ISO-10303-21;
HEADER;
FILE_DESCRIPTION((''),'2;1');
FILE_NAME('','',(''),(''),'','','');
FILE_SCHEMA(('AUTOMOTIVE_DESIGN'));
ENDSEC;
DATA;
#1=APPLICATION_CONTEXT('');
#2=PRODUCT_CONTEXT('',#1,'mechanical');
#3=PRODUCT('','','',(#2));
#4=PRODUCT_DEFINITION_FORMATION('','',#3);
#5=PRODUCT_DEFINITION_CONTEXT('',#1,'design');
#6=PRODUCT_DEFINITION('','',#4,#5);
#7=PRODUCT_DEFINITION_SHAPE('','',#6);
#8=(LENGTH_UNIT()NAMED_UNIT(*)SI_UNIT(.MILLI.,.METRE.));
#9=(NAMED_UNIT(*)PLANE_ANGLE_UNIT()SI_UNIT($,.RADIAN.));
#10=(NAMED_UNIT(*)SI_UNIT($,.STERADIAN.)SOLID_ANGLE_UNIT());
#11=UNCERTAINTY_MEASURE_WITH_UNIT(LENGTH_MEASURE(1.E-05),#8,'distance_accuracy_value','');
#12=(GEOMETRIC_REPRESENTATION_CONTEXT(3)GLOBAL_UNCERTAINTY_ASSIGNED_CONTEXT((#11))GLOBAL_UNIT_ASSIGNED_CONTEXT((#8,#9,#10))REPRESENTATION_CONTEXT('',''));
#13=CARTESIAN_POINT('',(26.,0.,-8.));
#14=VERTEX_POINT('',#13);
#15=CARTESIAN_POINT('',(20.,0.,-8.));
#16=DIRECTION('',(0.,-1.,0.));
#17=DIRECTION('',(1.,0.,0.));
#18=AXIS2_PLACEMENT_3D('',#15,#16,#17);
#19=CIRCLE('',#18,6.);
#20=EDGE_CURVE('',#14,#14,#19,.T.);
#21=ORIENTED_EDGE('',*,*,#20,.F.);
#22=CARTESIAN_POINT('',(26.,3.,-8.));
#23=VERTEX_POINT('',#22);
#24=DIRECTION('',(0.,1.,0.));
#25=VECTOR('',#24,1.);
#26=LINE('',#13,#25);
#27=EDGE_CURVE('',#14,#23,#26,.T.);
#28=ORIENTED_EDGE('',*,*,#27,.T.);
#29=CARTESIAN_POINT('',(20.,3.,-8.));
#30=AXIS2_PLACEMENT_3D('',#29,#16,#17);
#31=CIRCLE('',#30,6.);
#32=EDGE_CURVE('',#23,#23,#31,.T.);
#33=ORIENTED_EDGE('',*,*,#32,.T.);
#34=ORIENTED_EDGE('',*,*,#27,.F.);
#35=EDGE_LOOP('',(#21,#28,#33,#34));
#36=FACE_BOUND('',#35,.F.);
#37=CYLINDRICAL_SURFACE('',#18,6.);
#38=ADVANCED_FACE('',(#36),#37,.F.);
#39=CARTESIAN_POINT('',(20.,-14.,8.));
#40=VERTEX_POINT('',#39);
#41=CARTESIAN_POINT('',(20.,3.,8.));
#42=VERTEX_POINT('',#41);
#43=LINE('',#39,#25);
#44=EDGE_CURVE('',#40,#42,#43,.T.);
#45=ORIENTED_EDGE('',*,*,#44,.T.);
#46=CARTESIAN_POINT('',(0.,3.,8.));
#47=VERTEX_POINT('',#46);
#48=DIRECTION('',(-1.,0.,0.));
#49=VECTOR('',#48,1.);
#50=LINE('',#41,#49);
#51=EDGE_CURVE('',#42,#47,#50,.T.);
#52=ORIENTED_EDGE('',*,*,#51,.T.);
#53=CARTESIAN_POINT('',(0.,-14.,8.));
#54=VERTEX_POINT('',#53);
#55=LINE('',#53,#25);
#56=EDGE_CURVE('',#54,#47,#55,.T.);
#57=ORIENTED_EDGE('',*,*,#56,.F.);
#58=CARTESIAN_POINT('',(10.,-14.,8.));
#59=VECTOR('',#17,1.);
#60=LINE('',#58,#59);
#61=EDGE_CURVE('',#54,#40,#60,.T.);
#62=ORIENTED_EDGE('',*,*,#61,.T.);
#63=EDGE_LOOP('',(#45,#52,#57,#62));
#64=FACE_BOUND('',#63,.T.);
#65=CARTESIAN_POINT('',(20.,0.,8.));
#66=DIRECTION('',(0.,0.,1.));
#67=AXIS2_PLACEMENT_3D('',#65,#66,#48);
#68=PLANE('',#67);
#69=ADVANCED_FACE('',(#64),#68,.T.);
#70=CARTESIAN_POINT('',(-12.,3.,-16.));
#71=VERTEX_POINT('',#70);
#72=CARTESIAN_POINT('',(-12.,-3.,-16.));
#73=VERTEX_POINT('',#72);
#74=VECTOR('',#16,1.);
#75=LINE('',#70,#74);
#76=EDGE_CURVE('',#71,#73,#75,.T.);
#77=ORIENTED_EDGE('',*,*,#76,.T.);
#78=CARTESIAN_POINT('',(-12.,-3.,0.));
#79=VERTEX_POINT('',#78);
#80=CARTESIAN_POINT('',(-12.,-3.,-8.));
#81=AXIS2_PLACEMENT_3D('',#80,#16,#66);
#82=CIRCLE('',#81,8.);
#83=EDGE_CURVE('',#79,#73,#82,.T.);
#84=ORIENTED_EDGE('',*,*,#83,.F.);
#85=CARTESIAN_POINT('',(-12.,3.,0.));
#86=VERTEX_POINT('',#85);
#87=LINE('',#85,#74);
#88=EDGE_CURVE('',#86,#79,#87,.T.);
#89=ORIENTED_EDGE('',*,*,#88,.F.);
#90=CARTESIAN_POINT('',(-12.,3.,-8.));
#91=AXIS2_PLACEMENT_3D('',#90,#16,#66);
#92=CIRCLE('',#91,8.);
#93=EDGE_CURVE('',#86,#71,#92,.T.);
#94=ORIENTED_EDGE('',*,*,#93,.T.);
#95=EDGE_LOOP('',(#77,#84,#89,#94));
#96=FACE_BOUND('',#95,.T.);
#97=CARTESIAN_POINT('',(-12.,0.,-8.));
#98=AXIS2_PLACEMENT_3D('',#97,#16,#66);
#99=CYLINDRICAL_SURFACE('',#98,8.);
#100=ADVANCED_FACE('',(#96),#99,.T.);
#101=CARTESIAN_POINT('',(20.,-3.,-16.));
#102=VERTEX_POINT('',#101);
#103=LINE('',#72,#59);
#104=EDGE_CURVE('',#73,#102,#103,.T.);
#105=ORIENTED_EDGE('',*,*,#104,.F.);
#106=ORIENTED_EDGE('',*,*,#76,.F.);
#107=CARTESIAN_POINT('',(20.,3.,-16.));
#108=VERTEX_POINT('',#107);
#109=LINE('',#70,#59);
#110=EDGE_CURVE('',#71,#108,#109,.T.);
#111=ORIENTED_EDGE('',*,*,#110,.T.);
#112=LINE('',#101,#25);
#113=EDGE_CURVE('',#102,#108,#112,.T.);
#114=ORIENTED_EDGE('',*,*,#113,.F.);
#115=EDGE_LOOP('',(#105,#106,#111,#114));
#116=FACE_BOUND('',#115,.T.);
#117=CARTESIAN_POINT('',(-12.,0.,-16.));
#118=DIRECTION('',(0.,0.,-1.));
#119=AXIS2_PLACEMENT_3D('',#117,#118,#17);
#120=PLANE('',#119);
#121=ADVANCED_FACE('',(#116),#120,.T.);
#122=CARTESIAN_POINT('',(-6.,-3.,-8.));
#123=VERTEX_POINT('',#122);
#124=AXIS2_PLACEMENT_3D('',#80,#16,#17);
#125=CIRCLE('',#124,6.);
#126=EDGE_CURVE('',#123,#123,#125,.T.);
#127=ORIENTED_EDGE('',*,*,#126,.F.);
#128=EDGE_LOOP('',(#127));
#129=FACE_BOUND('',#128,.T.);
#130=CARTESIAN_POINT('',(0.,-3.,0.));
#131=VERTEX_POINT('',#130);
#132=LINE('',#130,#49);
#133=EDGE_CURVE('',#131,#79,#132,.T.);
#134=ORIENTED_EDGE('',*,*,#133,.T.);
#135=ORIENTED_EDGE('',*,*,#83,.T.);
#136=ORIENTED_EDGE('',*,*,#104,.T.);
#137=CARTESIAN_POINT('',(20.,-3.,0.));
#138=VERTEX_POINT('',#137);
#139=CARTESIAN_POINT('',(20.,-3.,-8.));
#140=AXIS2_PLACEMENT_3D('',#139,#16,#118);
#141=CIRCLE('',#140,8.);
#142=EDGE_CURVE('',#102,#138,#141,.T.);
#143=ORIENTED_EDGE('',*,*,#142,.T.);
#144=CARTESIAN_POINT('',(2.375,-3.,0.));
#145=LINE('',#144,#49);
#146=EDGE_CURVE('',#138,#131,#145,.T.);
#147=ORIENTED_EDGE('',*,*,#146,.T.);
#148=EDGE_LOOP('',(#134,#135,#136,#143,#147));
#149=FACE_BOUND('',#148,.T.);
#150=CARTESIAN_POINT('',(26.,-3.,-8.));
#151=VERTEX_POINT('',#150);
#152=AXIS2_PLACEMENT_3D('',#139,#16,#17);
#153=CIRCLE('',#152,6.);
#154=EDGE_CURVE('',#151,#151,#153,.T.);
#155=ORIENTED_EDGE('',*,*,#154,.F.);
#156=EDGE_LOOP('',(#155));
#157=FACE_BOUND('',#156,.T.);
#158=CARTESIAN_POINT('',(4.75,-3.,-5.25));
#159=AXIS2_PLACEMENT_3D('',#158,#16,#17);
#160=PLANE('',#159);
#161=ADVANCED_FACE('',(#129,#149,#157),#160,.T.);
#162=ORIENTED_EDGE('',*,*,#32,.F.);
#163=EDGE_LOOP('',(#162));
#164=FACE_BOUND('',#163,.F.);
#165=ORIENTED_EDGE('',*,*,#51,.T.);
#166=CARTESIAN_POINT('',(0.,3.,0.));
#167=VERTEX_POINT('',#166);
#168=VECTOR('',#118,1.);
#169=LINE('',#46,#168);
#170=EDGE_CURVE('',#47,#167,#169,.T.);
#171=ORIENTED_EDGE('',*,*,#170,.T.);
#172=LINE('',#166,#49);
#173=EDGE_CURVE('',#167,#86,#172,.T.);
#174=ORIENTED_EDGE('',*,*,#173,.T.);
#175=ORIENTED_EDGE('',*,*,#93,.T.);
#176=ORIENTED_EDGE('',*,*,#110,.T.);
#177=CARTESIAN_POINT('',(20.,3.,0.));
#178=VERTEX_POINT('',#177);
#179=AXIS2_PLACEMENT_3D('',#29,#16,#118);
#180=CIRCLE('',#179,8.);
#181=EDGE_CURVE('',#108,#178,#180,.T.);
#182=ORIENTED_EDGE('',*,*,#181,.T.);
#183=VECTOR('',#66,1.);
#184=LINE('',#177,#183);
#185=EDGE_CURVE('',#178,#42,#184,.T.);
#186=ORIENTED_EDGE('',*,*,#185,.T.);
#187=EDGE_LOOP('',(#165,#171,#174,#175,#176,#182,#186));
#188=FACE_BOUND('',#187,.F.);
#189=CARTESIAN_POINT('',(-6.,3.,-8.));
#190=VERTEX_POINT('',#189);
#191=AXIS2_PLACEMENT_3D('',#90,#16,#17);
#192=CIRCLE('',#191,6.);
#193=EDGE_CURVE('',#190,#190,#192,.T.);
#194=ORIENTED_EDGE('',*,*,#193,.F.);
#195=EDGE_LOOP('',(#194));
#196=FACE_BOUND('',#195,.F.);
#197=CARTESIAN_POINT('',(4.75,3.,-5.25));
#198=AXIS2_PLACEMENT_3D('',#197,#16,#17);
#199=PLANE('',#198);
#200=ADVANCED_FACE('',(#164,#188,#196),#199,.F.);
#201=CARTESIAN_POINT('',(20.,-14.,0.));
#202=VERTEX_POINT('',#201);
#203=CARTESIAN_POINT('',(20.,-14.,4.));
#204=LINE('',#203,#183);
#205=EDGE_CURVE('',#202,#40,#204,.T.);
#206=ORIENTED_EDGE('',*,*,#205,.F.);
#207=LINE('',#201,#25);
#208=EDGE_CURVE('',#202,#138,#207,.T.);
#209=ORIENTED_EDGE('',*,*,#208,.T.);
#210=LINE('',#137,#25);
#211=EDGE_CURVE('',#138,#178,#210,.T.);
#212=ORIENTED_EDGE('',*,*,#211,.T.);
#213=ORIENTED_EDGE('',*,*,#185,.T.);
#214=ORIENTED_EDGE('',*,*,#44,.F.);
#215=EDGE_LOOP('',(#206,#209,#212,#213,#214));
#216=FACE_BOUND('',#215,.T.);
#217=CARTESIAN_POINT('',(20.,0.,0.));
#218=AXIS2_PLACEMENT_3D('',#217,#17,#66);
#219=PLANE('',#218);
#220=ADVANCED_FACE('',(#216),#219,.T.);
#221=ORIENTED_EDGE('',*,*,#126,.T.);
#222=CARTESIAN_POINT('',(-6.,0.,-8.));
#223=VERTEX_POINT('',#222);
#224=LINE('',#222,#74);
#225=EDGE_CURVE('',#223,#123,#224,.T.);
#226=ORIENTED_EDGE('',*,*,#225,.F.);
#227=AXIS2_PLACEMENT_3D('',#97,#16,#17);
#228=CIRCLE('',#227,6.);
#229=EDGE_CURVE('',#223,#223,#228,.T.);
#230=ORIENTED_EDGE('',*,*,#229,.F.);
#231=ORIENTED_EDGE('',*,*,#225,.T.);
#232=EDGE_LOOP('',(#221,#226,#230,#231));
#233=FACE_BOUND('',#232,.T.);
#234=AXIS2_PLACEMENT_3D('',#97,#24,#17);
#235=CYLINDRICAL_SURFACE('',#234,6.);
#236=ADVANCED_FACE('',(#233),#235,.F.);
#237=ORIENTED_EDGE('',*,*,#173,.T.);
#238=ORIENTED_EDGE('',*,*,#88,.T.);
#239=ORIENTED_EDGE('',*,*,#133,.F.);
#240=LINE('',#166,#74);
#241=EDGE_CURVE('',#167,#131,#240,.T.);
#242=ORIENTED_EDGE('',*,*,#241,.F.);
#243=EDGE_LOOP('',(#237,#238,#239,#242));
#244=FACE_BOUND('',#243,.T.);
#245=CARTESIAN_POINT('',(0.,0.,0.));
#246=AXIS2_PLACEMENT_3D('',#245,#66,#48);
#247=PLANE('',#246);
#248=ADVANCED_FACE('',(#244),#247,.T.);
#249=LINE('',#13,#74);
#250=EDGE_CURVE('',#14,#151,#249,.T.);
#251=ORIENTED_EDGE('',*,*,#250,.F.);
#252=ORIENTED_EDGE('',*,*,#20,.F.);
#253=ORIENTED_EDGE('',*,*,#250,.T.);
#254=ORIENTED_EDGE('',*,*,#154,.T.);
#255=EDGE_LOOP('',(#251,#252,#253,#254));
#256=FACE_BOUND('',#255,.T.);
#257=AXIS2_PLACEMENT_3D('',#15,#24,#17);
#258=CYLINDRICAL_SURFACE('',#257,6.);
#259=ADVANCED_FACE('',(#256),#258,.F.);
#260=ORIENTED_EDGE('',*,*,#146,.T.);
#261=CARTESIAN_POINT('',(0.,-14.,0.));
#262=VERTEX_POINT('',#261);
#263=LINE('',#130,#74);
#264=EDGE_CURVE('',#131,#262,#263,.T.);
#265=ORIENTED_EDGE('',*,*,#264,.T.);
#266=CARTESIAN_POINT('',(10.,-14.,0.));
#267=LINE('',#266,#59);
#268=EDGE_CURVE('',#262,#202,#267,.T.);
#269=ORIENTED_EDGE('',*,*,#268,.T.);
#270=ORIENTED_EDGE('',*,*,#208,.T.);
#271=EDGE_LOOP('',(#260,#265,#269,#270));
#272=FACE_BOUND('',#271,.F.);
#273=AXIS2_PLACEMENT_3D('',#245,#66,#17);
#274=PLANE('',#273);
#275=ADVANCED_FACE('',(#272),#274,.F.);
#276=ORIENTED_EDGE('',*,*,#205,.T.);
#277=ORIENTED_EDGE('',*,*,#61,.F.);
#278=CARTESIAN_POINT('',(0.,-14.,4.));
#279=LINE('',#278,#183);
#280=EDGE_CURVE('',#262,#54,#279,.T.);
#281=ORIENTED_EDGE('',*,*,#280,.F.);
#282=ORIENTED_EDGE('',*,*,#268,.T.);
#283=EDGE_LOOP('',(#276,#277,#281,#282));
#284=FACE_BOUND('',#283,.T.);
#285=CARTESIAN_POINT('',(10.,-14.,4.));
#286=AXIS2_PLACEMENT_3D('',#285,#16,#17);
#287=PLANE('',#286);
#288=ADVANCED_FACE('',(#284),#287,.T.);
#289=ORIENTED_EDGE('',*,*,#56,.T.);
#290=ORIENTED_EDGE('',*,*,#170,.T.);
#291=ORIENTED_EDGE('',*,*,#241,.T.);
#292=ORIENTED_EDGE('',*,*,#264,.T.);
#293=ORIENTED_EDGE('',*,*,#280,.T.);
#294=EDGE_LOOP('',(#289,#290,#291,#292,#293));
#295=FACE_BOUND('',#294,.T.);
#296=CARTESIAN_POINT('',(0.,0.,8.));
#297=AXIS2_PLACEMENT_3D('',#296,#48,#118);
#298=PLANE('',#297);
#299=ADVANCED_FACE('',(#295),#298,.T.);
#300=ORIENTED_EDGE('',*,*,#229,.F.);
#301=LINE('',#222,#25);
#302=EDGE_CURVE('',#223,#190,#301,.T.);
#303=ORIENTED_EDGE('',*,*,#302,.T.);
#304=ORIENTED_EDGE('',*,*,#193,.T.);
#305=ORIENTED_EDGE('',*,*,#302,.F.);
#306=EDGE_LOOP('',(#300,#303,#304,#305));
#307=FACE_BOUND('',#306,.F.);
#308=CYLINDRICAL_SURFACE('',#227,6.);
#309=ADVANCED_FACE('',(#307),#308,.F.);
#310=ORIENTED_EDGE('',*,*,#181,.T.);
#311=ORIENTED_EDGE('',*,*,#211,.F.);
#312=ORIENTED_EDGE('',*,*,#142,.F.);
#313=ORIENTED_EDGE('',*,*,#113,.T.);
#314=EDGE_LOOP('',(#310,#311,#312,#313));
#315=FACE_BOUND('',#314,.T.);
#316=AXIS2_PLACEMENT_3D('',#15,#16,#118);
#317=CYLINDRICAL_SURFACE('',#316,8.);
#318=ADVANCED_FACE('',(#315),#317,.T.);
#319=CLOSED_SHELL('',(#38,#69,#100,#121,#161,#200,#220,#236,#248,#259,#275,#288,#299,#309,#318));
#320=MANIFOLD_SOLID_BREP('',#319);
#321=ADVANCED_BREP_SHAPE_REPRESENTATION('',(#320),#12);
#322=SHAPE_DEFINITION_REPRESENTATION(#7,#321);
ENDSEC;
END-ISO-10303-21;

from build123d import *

# Parameters (mm, degrees)
F0_R      = 6
F2_DEPTH  = 3
F3_W      = 20
F3_H      = 8
F4_DEPTH  = 14
F1_R      = 6
F4_FACE_W = 20
F4_FACE_H = 8
F5_DEPTH  = 3


with BuildPart() as f2:
    # F0 (on Front) → F2 (new body)
    with BuildSketch(Plane.XZ):
        with BuildLine():
            ThreePointArc((-12, 0), (-20, -8), (-12, -16))
            Line((-12, -16), (20, -16))
            ThreePointArc((20, -16), (28, -8), (20, 0))
            Line((20, 0), (20, 8))
            Line((20, 8), (0, 8))
            Line((0, 8), (0, 0))
            Line((0, 0), (-12, 0))
        make_face()
        with Locations((-12, -8)):
            Circle(F0_R, mode=Mode.SUBTRACT)
        with Locations((20, -8)):
            Circle(F0_R, mode=Mode.SUBTRACT)
    extrude(amount=F2_DEPTH)

    # F3 (on Front) → F4 (join)
    with BuildSketch(Plane.XZ):
        with Locations((10, 4)):
            Rectangle(F3_W, F3_H)
    extrude(amount=F4_DEPTH)

    # F1 (on Front) + F4_face (on face) → F5 (join)
    with BuildSketch(Plane.XZ):
        with BuildLine():
            Line((0, 8), (0, 0))
            Line((0, 0), (-12, 0))
            ThreePointArc((-12, 0), (-20, -8), (-12, -16))
            Line((-12, -16), (20, -16))
            ThreePointArc((20, -16), (28, -8), (20, 0))
            Line((20, 0), (20, 8))
            Line((20, 8), (0, 8))
        make_face()
        with Locations((-12, -8)):
            Circle(F1_R, mode=Mode.SUBTRACT)
        with Locations((20, -8)):
            Circle(F1_R, mode=Mode.SUBTRACT)
    with BuildSketch(Plane(origin=(10, -14, 4), x_dir=(1, 0, 0), z_dir=(0, -1, 0))):
        Rectangle(F4_FACE_W, F4_FACE_H)
    extrude(amount=-F5_DEPTH)


solid = f2.part
